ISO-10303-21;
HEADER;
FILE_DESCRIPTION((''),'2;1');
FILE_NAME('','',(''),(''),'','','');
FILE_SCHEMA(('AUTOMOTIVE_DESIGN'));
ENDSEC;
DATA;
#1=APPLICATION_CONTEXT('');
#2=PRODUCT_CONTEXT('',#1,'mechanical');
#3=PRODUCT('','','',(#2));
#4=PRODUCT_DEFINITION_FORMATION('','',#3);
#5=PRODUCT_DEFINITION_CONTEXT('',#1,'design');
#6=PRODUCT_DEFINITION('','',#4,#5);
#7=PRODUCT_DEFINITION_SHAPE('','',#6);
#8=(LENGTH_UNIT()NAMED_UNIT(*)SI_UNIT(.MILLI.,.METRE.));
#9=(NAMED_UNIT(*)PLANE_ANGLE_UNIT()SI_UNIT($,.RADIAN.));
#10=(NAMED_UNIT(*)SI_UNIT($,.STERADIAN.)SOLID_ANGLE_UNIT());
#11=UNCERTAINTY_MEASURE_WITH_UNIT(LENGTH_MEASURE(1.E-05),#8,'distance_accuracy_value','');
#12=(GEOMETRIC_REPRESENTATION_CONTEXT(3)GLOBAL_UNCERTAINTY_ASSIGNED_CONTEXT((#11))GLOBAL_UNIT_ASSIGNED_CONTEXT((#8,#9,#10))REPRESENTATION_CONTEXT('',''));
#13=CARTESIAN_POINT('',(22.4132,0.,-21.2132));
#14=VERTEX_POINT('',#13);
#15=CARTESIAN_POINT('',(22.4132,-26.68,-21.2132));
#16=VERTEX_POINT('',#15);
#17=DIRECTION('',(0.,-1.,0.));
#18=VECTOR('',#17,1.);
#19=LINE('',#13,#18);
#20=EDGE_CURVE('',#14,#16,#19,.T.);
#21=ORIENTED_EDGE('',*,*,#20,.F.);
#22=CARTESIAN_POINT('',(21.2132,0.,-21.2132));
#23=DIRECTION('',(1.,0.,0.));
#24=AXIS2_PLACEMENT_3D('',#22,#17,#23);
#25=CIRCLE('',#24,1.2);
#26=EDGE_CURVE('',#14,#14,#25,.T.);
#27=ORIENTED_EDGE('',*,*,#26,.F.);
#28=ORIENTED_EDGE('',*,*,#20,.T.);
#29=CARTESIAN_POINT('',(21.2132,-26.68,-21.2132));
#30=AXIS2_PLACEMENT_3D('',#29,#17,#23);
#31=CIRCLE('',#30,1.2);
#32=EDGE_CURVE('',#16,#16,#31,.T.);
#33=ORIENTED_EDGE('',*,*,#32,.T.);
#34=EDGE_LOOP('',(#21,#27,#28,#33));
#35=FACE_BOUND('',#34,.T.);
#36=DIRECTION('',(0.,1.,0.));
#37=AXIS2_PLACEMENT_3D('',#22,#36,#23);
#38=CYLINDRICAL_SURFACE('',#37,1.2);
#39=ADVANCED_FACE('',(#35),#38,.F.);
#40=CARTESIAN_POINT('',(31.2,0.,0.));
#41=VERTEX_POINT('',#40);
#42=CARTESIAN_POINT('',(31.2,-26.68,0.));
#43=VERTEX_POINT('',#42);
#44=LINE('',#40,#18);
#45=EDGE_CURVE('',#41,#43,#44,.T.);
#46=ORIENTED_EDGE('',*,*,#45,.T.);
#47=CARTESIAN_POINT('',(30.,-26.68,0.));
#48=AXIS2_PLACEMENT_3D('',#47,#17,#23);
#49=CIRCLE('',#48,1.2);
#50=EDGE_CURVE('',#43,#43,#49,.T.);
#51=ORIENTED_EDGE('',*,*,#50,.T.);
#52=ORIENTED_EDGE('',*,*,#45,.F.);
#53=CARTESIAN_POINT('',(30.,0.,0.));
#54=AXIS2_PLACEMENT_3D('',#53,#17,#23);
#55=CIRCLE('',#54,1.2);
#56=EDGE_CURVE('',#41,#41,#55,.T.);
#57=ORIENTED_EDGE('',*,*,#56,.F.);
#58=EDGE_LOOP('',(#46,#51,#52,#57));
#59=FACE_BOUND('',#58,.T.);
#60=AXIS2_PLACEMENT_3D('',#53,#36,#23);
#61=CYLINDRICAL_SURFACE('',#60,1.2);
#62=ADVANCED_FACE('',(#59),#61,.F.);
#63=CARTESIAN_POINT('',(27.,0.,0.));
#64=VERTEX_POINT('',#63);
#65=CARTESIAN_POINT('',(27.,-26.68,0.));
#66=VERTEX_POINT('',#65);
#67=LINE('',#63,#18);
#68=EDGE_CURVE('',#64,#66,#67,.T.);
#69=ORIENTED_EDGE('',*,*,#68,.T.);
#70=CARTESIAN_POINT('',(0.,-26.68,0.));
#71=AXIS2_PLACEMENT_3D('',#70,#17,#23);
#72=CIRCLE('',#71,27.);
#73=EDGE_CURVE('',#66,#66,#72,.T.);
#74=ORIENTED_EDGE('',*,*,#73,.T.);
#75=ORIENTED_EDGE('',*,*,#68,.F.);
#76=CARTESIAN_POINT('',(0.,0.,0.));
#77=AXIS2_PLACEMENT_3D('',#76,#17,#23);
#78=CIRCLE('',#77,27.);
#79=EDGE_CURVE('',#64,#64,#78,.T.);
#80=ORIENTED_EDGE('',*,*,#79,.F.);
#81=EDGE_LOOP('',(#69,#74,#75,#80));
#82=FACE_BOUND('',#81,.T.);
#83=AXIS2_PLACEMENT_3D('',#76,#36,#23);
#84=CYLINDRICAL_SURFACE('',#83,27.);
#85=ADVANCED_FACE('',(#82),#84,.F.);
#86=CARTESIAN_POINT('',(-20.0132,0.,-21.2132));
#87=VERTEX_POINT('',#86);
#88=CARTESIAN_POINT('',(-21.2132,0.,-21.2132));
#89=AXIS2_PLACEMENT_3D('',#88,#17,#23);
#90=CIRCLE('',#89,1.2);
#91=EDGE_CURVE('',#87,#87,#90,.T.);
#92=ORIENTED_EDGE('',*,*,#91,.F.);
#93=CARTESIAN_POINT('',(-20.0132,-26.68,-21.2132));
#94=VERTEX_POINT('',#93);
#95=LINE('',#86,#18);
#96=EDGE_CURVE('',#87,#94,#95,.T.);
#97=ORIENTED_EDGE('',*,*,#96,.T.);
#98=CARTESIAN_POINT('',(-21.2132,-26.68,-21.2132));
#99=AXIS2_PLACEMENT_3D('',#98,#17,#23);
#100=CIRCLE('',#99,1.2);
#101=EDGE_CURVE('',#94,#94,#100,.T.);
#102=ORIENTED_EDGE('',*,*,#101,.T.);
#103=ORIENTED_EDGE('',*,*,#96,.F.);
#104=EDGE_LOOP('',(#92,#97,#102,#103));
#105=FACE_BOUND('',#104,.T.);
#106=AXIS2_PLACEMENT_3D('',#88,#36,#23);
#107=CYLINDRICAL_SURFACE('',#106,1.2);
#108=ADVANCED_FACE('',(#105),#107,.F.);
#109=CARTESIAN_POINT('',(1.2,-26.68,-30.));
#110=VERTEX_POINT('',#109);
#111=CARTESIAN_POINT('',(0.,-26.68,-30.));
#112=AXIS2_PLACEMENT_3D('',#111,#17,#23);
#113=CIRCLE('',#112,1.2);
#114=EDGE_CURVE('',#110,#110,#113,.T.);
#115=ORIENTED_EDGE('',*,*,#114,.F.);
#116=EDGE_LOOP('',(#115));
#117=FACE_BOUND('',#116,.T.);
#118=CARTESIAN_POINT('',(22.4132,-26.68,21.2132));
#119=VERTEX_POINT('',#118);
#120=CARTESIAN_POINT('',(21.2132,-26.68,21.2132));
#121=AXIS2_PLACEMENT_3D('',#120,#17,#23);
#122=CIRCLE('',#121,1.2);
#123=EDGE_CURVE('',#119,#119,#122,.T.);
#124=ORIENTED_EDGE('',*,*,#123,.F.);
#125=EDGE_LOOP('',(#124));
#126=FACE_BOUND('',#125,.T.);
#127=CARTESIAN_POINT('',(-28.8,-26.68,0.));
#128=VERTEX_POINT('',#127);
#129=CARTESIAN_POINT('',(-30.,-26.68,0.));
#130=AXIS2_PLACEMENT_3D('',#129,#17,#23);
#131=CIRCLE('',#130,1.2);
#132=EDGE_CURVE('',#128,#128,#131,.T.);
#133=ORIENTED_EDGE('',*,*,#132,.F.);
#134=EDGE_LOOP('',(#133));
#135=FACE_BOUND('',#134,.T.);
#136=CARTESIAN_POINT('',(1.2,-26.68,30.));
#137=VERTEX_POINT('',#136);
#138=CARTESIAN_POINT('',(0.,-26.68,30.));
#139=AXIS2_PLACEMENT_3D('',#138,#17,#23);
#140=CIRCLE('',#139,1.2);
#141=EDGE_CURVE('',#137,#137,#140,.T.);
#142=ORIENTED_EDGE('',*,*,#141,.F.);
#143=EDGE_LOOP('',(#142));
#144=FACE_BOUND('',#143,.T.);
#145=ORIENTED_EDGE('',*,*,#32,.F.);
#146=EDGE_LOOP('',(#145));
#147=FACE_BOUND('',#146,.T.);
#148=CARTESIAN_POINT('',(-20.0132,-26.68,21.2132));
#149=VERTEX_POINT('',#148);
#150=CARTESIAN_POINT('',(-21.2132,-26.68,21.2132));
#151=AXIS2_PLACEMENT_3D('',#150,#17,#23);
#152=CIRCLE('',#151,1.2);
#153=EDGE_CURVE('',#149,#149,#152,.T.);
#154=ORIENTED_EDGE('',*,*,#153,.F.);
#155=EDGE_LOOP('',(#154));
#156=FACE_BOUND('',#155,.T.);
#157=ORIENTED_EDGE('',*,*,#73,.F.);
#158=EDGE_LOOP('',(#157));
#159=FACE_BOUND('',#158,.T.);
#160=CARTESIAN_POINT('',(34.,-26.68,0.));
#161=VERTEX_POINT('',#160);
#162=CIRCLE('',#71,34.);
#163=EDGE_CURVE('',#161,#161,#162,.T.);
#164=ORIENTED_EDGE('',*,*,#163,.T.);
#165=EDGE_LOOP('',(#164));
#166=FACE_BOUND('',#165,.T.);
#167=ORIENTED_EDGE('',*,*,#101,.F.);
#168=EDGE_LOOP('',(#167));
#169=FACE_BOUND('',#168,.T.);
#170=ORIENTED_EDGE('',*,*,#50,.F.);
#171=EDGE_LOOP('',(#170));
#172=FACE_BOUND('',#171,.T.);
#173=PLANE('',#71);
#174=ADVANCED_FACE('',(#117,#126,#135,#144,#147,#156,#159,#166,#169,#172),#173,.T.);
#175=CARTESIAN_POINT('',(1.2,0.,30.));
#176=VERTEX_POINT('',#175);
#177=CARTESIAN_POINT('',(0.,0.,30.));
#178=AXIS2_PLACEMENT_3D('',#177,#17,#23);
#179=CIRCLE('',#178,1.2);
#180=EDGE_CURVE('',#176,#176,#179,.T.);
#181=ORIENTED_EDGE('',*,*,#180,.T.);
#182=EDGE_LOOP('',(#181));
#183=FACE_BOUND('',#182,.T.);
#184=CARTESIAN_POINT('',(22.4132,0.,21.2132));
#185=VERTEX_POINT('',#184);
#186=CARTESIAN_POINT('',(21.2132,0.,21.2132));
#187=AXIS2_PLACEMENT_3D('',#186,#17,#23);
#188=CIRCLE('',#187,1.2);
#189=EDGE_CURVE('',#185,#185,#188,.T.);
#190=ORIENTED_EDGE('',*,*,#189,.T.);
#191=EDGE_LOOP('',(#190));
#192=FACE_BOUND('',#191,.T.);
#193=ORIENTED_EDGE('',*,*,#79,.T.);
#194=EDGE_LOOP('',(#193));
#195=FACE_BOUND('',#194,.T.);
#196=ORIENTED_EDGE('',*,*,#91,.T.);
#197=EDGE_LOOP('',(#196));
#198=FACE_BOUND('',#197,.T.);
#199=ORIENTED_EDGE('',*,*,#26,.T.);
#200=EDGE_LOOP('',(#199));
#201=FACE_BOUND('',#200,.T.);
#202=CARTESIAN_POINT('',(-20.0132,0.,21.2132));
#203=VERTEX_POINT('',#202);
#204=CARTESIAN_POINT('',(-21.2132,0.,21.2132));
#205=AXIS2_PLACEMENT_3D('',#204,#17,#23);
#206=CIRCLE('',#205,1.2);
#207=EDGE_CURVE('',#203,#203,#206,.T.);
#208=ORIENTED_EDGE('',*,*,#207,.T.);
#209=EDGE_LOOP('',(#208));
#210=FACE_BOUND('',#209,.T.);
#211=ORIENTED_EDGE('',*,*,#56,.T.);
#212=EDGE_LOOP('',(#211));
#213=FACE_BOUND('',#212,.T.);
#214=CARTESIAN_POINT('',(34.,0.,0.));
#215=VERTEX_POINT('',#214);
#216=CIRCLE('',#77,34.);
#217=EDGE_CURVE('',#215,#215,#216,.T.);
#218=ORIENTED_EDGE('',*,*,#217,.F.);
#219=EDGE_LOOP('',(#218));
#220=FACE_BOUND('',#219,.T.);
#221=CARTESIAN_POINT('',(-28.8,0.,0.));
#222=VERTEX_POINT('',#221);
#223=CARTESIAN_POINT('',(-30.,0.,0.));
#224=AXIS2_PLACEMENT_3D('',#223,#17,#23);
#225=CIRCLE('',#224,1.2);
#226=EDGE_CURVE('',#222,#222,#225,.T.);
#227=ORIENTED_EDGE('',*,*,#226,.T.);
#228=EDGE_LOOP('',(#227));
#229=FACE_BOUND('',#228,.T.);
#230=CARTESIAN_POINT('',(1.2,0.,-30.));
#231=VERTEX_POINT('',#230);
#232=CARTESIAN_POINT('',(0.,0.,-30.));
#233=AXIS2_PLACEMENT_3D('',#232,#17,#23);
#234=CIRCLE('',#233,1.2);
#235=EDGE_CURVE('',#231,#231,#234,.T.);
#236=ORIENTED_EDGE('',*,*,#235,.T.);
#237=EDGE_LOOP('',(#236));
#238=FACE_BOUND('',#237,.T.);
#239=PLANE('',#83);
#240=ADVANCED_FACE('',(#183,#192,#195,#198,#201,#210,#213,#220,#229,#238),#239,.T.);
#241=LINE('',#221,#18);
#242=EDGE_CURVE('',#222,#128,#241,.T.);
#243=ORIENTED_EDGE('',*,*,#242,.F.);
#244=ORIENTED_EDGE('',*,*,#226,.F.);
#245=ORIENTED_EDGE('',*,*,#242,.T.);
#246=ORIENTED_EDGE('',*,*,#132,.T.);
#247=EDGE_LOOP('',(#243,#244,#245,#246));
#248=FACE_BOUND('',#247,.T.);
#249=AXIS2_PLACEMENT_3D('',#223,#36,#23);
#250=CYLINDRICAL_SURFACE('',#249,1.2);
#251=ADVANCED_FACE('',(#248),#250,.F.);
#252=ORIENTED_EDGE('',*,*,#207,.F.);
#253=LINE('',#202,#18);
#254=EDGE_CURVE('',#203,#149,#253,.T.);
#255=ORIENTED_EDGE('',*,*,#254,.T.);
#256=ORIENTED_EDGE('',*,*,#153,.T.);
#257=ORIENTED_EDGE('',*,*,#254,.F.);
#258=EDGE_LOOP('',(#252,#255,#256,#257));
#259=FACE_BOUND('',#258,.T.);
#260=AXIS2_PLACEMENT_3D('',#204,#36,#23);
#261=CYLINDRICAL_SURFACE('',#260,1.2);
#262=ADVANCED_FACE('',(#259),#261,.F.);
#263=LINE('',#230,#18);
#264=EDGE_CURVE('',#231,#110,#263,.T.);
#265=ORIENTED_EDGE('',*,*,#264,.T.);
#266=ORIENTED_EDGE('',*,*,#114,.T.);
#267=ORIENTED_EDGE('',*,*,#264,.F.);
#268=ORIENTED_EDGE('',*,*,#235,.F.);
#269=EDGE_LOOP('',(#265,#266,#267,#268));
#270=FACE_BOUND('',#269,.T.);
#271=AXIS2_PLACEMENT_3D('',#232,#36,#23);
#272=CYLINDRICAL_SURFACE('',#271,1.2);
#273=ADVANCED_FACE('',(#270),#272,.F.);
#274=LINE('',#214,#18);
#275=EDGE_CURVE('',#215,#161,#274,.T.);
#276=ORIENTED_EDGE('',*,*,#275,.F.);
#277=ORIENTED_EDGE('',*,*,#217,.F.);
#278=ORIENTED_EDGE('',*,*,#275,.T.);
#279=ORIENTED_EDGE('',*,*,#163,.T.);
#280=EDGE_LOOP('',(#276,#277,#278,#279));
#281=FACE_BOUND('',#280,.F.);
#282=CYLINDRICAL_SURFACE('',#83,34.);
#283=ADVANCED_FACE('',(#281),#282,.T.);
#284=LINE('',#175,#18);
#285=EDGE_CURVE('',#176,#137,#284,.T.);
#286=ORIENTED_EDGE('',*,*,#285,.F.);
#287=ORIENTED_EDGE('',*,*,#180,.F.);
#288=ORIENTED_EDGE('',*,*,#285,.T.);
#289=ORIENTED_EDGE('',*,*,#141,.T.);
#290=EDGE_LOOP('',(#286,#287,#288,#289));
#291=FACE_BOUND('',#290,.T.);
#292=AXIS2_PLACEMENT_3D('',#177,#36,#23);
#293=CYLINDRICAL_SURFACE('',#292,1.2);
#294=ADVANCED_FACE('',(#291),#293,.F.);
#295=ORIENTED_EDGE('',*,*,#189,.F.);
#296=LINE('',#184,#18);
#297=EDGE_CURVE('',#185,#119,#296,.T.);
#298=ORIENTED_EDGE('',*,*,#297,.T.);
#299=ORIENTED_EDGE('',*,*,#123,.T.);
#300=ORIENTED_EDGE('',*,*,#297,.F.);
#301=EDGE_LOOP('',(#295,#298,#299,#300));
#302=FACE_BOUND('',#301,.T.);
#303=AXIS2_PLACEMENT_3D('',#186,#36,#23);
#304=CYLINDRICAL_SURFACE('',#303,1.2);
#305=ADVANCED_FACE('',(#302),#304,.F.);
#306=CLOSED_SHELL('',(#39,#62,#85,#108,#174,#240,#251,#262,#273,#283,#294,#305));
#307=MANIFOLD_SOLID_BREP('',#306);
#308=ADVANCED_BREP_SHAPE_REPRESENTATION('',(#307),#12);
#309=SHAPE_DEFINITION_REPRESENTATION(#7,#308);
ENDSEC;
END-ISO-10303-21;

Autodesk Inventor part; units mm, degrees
ref_plane "YZ Plane" through (0, 0, 0) normal (1, 0, 0) x (0, 1, 0)
ref_plane "XZ Plane" through (0, 0, 0) normal (0, 1, 0) x (-1, 0, 0)
ref_plane "XY Plane" through (0, 0, 0) normal (0, 0, 1) x (1, 0, 0)
sketch "Sketch1" plane through (0, 0, 0) normal (0, 1, 0) x (-1, 0, 0)
  circle A0 centre (0, 0) radius 34
  circle A1 centre (9.5, 0) radius 1.6
  circle A2 centre (4.75, 8.2272) radius 1.6
  circle A3 centre (-4.75, 8.2272) radius 1.6
  circle A4 centre (-9.5, 0) radius 1.6
  circle A5 centre (-4.75, -8.2272) radius 1.6
  circle A6 centre (4.75, -8.2272) radius 1.6
  circle A7 centre (30, 0) radius 1.2
  circle A8 centre (21.2132, 21.2132) radius 1.2
  circle A9 centre (0, 30) radius 1.2
  circle A10 centre (-21.2132, 21.2132) radius 1.2
  circle A11 centre (-30, 0) radius 1.2
  circle A12 centre (-21.2132, -21.2132) radius 1.2
  circle A13 centre (0, -30) radius 1.2
  circle A14 centre (21.2132, -21.2132) radius 1.2
  dimension "d0" = 68
  dimension "d1" = 3.2
  dimension "d2" = 9.5
  dimension "d3" = 0
  dimension "d6" = 360
  dimension "d10" = 2.4
  dimension "d11" = 0
  dimension "d12" = 30
  dimension "d15" = 360
extrude "Extrusion3" add sketch "Sketch1" along normal blind 5
sketch "Sketch5" plane through (0, 0, 0) normal (0, -1, 0) x (1, 0, 0)
  circle A0 centre (0, 0) radius 34 projected
  circle A1 centre (21.2132, 21.2132) radius 1.2 projected
  circle A2 centre (30, 0) radius 1.2 projected
  circle A3 centre (21.2132, -21.2132) radius 1.2 projected
  circle A4 centre (0, -30) radius 1.2 projected
  circle A5 centre (-21.2132, -21.2132) radius 1.2 projected
  circle A6 centre (-30, 0) radius 1.2 projected
  circle A7 centre (-21.2132, 21.2132) radius 1.2 projected
  circle A8 centre (0, 30) radius 1.2 projected
  circle A9 centre (0, 0) radius 27
  circle A10 centre (21.2132, 21.2132) radius 1.2
  circle A11 centre (30, 0) radius 1.2
  circle A12 centre (21.2132, -21.2132) radius 1.2
  circle A13 centre (0, -30) radius 1.2
  circle A14 centre (-21.2132, -21.2132) radius 1.2
  circle A15 centre (-30, 0) radius 1.2
  circle A16 centre (-21.2132, 21.2132) radius 1.2
  circle A17 centre (0, 30) radius 1.2 projected
  circle A18 centre (0, 30) radius 1.225
  circle A19 centre (0, 0) radius 34
  dimension "d21" = 54
extrude "Extrusion4" add sketch "Sketch5" along normal blind 26.68 contours A0 | A18
sketch "Sketch6" plane through (0, 5, 0) normal (0, 1, 0) x (1, 0, 0)
  circle A0 centre (0, 0) radius 34
extrude "Extrusion5" cut sketch "Sketch6" against normal blind 5
properties part number "sprocketsHolder" material "ABS Plastic"
